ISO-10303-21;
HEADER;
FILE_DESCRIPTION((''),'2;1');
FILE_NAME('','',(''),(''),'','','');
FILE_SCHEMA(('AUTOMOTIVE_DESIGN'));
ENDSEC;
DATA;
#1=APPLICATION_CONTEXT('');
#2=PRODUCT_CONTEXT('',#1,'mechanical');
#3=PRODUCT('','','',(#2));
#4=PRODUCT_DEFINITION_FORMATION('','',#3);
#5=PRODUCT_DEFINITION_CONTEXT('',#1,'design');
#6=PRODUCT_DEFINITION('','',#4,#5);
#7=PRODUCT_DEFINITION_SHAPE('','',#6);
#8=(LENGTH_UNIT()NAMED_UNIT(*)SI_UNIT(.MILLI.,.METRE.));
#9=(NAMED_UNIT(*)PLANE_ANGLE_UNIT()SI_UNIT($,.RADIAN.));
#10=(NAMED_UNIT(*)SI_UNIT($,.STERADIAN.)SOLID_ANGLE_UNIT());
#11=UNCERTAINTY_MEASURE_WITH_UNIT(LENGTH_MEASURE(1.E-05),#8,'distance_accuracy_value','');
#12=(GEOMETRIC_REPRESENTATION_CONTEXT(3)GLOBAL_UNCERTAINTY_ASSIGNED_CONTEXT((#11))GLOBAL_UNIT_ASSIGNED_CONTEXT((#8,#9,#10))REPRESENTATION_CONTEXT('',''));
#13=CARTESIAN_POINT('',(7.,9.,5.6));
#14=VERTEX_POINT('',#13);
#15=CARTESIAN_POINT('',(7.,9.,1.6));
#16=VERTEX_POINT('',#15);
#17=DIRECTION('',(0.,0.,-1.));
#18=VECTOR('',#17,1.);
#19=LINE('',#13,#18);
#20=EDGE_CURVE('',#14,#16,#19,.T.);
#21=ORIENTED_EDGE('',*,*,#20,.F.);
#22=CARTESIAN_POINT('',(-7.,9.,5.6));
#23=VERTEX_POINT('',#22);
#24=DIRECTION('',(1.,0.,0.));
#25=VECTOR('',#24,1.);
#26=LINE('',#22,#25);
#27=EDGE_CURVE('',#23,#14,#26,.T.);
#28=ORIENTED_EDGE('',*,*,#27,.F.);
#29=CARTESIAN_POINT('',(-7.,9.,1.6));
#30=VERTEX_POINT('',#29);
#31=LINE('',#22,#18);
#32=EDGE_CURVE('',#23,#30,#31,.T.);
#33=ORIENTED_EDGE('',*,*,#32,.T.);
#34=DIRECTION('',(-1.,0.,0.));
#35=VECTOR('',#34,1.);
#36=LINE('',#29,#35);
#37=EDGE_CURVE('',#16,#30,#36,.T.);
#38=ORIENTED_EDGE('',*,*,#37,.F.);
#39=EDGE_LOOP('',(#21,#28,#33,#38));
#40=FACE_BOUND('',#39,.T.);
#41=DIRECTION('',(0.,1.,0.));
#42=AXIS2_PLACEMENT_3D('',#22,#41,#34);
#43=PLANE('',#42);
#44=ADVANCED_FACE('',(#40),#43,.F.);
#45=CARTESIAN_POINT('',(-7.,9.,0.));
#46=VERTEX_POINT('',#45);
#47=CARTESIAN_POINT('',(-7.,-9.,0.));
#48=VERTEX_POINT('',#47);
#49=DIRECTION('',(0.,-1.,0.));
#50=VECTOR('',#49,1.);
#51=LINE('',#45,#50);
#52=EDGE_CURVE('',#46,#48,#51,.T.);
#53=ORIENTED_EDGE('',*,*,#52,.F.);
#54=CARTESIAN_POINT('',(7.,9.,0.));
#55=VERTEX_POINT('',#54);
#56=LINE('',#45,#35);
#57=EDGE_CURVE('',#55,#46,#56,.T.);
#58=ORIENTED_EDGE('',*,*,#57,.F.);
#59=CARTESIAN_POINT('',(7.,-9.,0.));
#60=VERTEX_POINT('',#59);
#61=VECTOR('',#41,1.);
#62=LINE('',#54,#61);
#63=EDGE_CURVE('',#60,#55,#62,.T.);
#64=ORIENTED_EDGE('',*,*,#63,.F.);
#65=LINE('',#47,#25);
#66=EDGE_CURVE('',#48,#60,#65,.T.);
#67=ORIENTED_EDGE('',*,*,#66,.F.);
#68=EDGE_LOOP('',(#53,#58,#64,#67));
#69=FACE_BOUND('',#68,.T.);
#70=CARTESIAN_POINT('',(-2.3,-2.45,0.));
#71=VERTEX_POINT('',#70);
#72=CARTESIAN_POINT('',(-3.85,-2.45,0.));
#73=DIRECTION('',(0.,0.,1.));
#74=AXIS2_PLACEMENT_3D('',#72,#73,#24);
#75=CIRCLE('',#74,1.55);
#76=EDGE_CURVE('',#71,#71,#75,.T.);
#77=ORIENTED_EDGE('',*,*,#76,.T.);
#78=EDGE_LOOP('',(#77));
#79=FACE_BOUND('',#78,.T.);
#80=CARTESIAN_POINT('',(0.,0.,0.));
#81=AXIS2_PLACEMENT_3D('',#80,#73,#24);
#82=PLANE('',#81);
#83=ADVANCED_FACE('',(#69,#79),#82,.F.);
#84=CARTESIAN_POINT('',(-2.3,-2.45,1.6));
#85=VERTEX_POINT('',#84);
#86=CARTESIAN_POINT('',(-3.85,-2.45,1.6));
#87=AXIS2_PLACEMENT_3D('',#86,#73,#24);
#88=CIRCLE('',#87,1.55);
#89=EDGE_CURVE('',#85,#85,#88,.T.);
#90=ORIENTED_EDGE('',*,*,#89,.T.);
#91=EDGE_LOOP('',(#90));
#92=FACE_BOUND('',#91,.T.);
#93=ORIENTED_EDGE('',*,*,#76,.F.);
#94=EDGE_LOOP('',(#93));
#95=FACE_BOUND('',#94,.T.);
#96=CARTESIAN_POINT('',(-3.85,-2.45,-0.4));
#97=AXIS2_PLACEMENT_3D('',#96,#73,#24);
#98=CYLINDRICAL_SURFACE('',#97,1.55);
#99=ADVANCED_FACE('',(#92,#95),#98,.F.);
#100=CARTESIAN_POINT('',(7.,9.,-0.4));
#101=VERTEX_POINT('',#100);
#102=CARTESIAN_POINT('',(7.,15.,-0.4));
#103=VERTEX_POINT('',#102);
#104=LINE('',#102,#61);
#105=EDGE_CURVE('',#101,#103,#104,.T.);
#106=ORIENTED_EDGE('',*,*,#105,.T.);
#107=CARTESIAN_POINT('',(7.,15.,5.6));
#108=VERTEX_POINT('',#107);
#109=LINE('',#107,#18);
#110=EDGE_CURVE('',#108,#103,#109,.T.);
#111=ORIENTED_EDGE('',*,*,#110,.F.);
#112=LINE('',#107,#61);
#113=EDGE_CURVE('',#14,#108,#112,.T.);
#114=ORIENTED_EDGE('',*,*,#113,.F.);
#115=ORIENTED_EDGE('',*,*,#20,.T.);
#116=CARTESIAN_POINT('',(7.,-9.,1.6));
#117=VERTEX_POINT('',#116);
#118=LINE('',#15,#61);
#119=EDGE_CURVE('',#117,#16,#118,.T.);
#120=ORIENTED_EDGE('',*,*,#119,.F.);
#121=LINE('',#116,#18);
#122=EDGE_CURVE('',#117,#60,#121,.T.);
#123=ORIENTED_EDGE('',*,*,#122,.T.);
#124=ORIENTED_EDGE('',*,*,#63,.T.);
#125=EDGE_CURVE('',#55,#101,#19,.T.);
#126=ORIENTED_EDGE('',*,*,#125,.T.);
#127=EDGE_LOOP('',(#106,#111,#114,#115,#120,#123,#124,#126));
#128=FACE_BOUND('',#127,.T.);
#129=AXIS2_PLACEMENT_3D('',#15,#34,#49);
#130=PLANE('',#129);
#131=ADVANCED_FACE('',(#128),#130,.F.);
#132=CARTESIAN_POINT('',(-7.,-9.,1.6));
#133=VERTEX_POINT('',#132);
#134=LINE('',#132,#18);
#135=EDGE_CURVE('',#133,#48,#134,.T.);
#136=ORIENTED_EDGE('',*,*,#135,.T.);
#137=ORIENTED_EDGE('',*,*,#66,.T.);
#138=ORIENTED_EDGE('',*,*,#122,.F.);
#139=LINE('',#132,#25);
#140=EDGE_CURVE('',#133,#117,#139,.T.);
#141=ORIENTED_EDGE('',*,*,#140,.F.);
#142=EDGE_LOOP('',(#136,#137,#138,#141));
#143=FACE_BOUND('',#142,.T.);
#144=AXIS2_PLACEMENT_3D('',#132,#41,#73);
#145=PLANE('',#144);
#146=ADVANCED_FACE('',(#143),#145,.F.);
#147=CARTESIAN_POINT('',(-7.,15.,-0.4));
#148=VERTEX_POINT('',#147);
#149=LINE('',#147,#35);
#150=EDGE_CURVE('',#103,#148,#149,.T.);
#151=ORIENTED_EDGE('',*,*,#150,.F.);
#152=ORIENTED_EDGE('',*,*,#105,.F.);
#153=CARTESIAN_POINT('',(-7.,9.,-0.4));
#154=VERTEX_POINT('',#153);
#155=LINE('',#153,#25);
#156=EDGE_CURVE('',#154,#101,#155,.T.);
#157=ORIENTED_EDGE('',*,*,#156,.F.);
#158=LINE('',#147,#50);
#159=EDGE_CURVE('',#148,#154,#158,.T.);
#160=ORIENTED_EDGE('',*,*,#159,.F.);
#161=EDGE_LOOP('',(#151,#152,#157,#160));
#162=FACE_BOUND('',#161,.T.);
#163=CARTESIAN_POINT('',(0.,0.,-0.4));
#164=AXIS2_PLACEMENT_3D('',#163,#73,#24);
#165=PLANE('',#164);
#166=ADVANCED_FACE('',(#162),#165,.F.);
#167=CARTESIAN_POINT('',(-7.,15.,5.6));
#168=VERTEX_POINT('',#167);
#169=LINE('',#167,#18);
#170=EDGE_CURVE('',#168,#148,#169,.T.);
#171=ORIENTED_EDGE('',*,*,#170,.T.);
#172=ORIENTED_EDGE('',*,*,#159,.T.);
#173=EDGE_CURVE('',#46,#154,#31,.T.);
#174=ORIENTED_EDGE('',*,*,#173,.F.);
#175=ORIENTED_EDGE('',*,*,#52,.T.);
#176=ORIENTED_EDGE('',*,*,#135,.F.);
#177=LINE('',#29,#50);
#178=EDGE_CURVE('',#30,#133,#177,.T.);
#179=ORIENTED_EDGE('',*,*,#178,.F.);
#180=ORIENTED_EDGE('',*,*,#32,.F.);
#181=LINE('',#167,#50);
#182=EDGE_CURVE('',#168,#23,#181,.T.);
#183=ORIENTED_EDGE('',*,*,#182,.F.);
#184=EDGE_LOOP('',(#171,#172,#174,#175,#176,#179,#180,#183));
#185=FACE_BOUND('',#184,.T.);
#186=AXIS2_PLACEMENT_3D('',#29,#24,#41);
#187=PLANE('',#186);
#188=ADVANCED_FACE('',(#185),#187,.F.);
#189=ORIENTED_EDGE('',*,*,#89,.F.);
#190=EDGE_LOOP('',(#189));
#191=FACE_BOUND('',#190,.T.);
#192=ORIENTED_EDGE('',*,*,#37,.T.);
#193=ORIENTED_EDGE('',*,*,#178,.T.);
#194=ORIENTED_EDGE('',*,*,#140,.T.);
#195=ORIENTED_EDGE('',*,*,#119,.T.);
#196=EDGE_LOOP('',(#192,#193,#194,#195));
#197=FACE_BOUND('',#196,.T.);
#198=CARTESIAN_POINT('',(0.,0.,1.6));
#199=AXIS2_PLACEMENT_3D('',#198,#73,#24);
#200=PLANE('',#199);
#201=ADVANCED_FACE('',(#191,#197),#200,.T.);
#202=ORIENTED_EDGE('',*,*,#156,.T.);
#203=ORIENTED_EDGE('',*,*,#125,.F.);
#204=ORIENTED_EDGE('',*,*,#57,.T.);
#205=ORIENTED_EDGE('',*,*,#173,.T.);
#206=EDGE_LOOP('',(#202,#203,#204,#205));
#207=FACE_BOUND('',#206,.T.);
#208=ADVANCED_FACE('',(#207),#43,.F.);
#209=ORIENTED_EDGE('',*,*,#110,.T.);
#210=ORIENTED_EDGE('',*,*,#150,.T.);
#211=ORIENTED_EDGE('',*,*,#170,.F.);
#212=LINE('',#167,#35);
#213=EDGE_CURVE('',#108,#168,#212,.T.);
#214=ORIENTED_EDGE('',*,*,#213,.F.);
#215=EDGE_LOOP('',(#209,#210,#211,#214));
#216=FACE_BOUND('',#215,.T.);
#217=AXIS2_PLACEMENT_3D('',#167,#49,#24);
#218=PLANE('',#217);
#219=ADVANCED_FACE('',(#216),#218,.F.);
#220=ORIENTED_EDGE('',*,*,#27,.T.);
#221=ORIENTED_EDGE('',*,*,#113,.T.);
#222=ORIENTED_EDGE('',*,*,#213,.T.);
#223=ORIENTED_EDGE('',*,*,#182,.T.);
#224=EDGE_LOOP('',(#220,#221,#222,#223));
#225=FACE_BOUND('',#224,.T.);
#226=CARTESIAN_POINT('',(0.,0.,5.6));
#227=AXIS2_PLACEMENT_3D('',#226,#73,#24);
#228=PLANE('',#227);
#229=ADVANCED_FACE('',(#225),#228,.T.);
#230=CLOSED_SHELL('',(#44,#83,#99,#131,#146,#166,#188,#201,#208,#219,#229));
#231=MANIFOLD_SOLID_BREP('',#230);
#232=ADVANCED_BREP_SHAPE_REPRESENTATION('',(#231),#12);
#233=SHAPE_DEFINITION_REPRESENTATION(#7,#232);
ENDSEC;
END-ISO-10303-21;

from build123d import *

# Parameters (mm, degrees)
SKETCH1_W           = 14
SKETCH1_H           = 18
BOSS_EXTRUDE1_DEPTH = 1.6
BOSS_EXTRUDE2_START = -2
SKETCH2_W           = 14
SKETCH2_H           = 6
BOSS_EXTRUDE2_DEPTH = 6
SKETCH3_R           = 1.55
CUT_EXTRUDE1_DEPTH  = 18.029386366


with BuildPart() as part:
    # Sketch1 → Boss-Extrude1 (new body)
    with BuildSketch(Plane.XY):
        Rectangle(SKETCH1_W, SKETCH1_H)
    extrude(amount=BOSS_EXTRUDE1_DEPTH)

    # Sketch2 → Boss-Extrude2 (add)
    with BuildSketch(Plane.XY.offset(1.6).offset(BOSS_EXTRUDE2_START)):
        with Locations((0, 12)):
            Rectangle(SKETCH2_W, SKETCH2_H)
    extrude(amount=BOSS_EXTRUDE2_DEPTH)

    # Sketch3 → Cut-Extrude1 (cut, through all)
    with BuildSketch(Plane.XY.offset(1.6)):
        with Locations((-3.85, -2.45)):
            Circle(SKETCH3_R)
    extrude(amount=-CUT_EXTRUDE1_DEPTH, mode=Mode.SUBTRACT)


solid = part.part
